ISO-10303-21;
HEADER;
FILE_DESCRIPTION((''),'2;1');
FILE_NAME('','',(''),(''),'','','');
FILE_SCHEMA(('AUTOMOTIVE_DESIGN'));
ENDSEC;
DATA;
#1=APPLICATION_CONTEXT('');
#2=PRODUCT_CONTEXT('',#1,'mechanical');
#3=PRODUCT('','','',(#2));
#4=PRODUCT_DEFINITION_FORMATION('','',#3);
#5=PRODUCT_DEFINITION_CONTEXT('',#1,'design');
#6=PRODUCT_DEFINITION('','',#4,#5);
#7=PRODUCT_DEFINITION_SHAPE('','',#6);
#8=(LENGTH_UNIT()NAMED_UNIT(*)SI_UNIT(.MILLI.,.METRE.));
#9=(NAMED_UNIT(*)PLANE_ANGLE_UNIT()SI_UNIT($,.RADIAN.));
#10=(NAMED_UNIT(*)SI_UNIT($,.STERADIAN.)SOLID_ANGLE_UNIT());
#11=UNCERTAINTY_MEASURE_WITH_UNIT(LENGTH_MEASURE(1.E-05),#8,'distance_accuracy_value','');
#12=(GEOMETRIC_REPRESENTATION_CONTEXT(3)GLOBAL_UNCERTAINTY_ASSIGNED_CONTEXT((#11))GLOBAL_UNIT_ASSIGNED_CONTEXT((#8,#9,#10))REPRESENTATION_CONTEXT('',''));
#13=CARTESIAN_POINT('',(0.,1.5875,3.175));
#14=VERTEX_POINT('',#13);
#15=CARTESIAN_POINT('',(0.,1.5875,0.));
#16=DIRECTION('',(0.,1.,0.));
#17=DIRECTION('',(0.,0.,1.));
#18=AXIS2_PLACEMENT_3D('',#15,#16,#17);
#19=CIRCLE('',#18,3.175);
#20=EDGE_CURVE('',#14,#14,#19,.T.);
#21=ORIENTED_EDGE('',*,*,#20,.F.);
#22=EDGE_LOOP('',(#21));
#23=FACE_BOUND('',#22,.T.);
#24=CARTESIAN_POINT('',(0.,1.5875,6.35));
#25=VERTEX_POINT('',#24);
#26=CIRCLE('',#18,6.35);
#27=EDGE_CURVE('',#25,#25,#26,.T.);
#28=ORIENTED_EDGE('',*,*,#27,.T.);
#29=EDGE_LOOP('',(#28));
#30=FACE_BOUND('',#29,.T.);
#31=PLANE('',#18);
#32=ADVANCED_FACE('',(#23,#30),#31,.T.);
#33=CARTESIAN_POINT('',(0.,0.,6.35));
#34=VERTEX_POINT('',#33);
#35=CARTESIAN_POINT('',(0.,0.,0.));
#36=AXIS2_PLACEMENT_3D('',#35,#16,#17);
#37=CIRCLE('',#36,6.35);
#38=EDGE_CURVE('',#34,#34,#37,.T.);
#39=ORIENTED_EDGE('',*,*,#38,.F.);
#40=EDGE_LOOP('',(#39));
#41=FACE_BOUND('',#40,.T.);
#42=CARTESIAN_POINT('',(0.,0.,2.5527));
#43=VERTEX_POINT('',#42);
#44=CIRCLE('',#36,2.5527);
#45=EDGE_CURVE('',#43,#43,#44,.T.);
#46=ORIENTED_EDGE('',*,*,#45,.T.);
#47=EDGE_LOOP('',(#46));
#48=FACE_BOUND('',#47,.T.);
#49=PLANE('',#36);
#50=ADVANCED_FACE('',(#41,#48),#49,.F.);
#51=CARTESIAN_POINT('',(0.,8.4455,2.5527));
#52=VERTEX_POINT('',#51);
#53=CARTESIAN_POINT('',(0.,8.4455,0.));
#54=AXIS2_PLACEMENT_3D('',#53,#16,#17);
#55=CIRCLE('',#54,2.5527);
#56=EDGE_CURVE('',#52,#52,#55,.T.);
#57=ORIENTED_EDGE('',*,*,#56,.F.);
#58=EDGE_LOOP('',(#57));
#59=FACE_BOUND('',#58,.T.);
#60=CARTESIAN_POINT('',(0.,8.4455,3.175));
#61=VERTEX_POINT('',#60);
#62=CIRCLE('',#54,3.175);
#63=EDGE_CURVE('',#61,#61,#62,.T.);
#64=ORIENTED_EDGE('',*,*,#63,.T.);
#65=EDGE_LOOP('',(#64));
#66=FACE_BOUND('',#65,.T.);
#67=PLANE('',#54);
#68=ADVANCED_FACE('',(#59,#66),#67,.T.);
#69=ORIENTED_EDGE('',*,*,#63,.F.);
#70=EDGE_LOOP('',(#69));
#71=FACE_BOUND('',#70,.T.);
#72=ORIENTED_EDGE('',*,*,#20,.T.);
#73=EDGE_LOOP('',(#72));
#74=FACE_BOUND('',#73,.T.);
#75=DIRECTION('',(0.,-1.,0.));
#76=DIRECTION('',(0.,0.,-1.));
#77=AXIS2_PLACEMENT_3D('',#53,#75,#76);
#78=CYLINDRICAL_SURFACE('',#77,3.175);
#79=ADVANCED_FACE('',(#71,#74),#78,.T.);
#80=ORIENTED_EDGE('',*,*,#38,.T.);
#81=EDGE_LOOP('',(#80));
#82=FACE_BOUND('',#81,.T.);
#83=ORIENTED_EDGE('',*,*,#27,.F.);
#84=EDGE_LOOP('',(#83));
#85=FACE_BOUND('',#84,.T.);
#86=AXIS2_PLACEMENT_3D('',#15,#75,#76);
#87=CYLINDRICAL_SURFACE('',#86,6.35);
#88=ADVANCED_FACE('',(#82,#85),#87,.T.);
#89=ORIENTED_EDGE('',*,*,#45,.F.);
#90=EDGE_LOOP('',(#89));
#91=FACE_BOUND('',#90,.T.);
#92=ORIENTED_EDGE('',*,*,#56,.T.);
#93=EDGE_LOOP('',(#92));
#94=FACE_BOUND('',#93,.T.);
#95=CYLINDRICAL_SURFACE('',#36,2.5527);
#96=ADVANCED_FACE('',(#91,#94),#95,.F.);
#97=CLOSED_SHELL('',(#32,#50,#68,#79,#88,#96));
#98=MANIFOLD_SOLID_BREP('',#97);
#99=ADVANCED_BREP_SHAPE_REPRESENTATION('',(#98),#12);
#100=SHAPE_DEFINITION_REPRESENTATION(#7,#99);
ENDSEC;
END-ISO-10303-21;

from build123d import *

# Parameters (mm, degrees)
SKETCH1_R           = 6.35
BOSS_EXTRUDE1_DEPTH = 1.5875
SKETCH2_R           = 3.175
BOSS_EXTRUDE2_DEPTH = 6.858
SKETCH3_R           = 2.5527
CUT_EXTRUDE1_DEPTH  = 13.327670917


with BuildPart() as part:
    # Sketch1 → Boss-Extrude1 (new body)
    with BuildSketch(Plane(origin=(0, 0, 0), x_dir=(1, 0, 0), z_dir=(0, 1, 0))):
        with Locations(Location((0, 0, 0), (0, 0, 270))):
            Circle(SKETCH1_R)
    extrude(amount=BOSS_EXTRUDE1_DEPTH)

    # Sketch2 → Boss-Extrude2 (add)
    with BuildSketch(Plane(origin=(0, 1.5875, 0), x_dir=(1, 0, 0), z_dir=(0, 1, 0))):
        with Locations(Location((0, 0, 0), (0, 0, 270))):
            Circle(SKETCH2_R)
    extrude(amount=BOSS_EXTRUDE2_DEPTH)

    # Sketch3 → Cut-Extrude1 (cut, through all)
    with BuildSketch(Plane(origin=(0, 8.4455, 0), x_dir=(1, 0, 0), z_dir=(0, 1, 0))):
        with Locations(Location((0, 0, 0), (0, 0, 270))):
            Circle(SKETCH3_R)
    extrude(amount=-CUT_EXTRUDE1_DEPTH, mode=Mode.SUBTRACT)


solid = part.part
